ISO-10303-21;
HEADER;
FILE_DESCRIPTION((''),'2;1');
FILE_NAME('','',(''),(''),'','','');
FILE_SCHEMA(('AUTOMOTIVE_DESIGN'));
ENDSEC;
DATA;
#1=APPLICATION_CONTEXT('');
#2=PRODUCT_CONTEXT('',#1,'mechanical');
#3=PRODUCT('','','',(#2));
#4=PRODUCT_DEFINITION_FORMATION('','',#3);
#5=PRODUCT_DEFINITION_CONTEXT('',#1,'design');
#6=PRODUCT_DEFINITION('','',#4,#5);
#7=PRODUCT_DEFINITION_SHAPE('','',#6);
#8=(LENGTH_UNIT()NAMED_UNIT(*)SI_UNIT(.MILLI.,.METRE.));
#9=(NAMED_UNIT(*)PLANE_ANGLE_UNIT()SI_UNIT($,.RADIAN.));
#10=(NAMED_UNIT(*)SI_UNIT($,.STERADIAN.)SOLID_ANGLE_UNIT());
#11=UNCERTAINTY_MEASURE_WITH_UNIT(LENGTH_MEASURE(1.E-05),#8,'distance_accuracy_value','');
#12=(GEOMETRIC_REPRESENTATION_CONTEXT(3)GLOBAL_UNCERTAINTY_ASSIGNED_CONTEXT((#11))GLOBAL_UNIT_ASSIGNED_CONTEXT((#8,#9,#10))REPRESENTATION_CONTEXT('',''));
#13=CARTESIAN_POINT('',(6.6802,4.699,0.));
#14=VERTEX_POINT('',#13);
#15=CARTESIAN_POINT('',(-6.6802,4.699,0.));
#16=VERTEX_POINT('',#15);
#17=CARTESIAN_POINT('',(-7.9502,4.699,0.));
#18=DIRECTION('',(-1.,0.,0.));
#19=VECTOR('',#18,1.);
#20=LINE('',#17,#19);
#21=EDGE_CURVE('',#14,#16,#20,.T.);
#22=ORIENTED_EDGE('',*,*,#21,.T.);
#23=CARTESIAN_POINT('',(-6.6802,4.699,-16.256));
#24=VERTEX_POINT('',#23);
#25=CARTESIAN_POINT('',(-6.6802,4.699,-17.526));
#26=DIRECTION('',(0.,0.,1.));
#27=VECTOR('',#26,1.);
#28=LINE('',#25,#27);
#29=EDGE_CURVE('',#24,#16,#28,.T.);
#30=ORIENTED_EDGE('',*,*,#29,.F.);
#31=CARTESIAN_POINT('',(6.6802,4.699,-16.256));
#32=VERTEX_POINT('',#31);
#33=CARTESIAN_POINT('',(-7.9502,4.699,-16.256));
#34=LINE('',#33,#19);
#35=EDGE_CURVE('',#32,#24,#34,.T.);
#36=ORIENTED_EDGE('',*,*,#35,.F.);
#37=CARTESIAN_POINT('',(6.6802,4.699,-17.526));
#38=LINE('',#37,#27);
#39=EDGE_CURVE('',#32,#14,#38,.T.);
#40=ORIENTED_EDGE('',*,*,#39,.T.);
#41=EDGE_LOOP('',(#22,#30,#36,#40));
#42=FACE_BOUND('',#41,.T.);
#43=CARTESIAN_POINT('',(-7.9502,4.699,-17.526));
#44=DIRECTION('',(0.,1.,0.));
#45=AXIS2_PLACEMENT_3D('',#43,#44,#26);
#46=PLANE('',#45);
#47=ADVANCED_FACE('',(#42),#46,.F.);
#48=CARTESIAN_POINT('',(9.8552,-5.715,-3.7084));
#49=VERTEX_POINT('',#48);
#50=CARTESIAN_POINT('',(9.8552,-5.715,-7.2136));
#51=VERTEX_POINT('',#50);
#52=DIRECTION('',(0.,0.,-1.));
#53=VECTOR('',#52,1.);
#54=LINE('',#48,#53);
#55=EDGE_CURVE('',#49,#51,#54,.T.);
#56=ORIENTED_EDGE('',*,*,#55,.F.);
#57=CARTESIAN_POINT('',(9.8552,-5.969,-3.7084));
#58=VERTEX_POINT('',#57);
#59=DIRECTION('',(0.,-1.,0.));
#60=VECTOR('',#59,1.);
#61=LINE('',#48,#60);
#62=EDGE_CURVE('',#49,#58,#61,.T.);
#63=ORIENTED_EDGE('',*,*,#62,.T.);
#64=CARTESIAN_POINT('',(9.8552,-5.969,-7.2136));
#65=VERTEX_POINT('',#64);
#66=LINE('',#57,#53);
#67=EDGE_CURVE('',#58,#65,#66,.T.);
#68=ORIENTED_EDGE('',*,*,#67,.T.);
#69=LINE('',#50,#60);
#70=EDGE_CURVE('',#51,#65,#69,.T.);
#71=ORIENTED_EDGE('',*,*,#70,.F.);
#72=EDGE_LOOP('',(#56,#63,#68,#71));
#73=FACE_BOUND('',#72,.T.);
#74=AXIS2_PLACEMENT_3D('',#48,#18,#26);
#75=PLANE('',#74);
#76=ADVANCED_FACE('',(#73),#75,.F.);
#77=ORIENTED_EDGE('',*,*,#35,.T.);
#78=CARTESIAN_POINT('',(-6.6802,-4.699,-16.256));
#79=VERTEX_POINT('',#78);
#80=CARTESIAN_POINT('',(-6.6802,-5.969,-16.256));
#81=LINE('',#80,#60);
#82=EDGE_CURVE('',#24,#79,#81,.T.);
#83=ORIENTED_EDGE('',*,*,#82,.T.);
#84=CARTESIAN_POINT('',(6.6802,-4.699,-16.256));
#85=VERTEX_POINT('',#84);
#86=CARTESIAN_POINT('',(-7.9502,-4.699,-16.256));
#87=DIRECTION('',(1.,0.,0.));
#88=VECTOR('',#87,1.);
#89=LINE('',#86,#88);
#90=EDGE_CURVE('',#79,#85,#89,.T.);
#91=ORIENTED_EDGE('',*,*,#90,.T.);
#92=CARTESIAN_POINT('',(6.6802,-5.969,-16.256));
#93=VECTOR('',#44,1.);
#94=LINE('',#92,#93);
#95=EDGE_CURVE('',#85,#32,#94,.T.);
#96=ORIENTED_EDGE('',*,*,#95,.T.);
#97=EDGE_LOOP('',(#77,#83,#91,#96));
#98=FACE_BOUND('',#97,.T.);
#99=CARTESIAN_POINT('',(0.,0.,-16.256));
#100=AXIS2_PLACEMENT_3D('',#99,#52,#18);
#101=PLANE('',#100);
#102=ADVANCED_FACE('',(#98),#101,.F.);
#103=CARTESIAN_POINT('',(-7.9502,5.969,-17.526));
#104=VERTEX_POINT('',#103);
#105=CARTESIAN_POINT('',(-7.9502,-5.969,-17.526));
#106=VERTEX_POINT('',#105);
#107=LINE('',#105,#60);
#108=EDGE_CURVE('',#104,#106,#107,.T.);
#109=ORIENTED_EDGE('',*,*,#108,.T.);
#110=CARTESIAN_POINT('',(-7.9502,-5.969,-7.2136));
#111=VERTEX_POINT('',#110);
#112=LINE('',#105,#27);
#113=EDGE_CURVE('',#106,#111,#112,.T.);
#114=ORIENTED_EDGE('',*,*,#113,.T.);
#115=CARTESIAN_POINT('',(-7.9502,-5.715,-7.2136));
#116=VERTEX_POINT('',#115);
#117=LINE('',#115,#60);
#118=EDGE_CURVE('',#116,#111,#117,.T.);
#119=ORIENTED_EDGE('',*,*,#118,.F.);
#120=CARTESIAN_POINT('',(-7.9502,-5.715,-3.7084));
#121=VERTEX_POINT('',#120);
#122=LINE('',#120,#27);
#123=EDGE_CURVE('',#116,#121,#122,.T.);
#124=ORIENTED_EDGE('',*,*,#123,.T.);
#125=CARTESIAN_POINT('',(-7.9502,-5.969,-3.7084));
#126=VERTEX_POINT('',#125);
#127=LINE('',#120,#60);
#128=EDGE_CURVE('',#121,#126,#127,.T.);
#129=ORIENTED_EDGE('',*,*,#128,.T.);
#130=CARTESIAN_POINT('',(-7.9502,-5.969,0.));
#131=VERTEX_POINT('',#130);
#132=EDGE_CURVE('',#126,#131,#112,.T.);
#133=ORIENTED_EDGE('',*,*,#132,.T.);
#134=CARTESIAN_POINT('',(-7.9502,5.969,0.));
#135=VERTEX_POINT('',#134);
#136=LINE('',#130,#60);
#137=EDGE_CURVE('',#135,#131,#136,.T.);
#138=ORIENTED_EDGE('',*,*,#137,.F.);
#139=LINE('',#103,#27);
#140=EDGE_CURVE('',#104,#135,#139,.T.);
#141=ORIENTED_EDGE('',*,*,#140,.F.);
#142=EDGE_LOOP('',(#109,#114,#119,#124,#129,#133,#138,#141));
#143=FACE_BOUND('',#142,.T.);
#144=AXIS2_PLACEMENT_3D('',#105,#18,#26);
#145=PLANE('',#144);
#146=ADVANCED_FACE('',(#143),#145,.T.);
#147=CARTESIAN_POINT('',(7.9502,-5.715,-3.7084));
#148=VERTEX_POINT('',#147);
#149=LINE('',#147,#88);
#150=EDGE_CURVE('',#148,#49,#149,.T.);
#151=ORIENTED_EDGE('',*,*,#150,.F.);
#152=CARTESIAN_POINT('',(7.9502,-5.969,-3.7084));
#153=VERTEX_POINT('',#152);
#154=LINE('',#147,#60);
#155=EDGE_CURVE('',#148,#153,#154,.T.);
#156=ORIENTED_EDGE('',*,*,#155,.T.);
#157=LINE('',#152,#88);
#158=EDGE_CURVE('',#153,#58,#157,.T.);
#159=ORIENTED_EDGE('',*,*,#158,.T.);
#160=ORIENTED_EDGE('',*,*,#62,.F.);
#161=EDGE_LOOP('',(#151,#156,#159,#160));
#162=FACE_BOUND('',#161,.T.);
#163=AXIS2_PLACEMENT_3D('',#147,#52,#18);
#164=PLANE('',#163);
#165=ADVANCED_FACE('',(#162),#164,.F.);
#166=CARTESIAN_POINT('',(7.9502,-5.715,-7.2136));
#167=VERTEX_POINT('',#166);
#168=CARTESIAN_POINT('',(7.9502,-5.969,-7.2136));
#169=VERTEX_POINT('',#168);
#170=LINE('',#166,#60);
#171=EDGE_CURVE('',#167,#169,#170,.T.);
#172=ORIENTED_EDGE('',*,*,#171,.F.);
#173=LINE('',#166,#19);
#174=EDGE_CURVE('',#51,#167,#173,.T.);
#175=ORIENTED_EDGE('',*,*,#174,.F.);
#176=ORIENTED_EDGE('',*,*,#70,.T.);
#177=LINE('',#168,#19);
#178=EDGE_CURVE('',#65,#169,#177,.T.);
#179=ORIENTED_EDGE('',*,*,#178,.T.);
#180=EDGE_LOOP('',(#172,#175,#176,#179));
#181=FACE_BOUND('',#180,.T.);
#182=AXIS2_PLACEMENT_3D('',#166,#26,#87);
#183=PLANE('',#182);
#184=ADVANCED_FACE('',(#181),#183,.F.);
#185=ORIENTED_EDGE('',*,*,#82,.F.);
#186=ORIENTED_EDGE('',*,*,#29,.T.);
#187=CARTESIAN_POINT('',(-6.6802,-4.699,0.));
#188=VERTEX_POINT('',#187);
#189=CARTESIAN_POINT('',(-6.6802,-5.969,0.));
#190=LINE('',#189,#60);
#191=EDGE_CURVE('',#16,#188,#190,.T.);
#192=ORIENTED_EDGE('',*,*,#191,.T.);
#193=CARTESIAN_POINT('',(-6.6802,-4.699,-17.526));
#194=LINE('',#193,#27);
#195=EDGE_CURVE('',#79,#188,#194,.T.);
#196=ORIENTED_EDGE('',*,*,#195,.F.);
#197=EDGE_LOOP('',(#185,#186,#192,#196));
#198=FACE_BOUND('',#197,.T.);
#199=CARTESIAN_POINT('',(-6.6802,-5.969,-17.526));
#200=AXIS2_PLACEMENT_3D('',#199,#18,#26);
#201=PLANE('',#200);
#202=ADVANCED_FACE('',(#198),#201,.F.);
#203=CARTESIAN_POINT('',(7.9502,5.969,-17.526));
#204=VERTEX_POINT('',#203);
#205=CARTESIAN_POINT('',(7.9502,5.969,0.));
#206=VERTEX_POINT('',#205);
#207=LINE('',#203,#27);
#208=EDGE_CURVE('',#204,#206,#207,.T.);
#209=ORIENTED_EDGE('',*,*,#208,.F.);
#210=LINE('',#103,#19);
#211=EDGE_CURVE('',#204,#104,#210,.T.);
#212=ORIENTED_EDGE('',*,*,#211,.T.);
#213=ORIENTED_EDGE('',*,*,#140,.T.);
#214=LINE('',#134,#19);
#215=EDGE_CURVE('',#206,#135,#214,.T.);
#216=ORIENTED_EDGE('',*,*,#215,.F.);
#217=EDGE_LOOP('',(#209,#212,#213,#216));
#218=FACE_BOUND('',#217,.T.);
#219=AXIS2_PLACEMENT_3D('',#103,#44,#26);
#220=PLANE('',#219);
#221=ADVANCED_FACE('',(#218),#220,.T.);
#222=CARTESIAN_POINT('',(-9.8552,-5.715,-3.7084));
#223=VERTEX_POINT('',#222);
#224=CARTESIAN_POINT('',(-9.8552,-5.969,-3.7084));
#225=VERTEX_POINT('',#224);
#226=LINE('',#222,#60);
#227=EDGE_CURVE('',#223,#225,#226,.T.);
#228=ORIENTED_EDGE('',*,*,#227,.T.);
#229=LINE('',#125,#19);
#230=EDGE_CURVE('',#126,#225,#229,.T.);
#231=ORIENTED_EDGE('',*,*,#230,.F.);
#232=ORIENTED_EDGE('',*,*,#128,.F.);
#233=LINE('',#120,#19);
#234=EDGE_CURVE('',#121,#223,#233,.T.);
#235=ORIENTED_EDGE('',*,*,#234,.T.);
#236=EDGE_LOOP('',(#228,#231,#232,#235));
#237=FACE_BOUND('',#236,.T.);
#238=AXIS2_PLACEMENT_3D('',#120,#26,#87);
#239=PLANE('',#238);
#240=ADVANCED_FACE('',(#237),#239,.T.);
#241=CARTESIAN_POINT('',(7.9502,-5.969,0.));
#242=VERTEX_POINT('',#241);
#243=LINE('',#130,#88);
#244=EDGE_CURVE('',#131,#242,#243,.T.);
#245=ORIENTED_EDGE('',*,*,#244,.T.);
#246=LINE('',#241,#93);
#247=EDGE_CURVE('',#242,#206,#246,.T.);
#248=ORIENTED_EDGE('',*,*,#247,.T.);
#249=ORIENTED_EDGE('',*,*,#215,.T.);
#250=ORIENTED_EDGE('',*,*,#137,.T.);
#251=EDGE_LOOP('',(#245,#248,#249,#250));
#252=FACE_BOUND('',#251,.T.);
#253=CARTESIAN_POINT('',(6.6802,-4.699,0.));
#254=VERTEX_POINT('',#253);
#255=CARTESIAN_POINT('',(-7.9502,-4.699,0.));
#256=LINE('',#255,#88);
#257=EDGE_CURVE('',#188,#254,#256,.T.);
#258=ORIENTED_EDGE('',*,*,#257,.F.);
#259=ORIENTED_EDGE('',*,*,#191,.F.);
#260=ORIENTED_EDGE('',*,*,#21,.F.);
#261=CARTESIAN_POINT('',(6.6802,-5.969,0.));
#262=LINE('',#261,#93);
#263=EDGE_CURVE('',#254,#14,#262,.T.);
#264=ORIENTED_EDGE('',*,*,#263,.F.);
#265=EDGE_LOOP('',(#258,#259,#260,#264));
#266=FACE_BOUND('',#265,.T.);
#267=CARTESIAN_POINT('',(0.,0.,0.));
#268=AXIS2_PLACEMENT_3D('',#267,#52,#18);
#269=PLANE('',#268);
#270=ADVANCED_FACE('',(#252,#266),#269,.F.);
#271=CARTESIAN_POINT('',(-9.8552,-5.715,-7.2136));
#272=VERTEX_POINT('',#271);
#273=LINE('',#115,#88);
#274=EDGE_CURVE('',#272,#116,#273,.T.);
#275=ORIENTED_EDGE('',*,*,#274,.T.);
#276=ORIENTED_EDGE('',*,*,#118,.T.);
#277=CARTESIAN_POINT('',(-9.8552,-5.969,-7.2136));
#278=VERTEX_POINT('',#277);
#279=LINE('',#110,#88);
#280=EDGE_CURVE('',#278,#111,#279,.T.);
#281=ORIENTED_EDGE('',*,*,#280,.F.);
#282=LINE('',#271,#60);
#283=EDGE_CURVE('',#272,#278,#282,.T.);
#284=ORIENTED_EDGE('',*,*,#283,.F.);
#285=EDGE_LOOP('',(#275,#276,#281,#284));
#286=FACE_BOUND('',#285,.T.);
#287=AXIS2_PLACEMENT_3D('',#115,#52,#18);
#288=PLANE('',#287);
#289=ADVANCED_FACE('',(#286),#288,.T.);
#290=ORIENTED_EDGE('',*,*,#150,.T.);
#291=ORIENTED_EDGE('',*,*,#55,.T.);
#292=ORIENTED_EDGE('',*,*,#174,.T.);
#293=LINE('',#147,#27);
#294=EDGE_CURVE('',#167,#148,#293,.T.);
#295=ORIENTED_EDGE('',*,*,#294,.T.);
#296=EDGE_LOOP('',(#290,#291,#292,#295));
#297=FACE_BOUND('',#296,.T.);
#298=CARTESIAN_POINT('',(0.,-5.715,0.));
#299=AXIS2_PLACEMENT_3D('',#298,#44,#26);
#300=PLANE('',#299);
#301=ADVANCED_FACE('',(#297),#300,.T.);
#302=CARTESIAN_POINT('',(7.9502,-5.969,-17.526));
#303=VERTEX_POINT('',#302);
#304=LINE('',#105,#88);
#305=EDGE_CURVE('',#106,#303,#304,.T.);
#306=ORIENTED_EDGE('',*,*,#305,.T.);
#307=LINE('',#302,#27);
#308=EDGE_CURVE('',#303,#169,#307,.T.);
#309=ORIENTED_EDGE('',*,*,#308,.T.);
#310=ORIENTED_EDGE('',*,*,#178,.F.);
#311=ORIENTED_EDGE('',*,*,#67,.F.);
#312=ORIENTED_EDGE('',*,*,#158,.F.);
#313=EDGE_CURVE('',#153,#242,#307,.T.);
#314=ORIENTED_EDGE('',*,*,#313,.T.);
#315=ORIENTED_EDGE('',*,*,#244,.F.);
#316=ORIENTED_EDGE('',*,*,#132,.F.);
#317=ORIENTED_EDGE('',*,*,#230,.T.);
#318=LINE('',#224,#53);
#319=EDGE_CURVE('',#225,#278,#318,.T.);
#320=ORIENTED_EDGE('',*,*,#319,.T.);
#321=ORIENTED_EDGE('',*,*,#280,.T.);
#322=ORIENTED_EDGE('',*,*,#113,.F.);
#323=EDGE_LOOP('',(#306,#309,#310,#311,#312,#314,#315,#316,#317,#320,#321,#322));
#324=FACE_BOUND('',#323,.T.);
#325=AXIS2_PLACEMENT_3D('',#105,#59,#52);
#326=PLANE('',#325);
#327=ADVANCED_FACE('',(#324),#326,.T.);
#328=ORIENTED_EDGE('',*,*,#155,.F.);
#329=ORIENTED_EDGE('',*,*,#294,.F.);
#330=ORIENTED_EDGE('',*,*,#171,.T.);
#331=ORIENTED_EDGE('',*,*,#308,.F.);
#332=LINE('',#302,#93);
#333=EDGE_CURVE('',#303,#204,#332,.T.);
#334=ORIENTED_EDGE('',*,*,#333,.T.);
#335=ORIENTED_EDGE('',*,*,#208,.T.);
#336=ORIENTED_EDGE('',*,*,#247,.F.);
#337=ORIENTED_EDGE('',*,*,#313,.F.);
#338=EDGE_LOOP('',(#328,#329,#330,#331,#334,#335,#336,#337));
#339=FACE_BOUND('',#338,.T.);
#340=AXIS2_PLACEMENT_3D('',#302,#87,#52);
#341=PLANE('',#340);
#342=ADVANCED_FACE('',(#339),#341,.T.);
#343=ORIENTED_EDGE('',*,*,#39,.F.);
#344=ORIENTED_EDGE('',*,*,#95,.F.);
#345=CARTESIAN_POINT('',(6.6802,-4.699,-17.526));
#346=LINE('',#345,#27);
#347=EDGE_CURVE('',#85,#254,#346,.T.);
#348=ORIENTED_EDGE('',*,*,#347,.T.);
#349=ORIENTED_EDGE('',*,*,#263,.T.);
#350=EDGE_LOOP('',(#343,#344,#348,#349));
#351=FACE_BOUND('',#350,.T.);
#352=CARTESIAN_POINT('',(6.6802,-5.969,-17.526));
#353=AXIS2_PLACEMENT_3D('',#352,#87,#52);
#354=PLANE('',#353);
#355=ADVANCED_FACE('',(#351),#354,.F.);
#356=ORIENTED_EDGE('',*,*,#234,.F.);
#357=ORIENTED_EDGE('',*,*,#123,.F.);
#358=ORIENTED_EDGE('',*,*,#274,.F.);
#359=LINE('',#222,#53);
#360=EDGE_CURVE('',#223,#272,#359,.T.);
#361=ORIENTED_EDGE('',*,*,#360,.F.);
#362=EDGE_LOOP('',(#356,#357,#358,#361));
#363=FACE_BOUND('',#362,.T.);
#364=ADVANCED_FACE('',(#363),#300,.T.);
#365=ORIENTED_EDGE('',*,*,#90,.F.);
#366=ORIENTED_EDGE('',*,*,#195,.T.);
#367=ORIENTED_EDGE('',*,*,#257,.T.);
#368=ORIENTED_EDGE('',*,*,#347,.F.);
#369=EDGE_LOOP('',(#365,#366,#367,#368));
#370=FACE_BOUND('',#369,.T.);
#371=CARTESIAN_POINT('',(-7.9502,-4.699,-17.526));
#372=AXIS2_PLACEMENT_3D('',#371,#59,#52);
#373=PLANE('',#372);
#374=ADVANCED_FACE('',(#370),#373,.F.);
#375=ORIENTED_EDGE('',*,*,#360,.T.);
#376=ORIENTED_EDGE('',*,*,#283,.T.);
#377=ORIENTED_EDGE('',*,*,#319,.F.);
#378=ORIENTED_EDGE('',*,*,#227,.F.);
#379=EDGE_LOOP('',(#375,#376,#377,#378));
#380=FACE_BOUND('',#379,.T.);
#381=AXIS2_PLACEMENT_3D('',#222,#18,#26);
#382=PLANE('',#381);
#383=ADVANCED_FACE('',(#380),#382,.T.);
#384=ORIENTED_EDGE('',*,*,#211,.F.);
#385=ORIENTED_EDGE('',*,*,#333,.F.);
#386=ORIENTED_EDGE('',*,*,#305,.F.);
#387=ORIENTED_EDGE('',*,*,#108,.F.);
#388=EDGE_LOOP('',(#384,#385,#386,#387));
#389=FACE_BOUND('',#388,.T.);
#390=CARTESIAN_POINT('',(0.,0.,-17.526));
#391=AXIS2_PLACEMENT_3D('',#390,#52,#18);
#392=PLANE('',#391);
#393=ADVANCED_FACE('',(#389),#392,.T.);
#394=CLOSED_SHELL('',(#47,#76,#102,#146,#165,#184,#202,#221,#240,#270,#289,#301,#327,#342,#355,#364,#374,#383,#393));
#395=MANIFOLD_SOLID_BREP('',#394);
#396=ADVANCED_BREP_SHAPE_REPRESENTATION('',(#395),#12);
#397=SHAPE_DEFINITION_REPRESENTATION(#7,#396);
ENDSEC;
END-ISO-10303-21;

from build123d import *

# Parameters (mm, degrees)
SKETCH1_W           = 15.9004
SKETCH1_H           = 11.938
BOSS_EXTRUDE1_DEPTH = 17.526
SHELL1_T            = -1.27
SKETCH2_W           = 1.905
SKETCH2_H           = 3.5052
BOSS_EXTRUDE2_DEPTH = 0.254


with BuildPart() as part:
    # Sketch1 → Boss-Extrude1 (new body)
    with BuildSketch(Plane.XY):
        Rectangle(SKETCH1_W, SKETCH1_H)
    extrude(amount=-BOSS_EXTRUDE1_DEPTH)

    # Shell1
    shell1_openings = [part.faces().sort_by_distance(p)[0] for p in [
        (0, 0, 0),
    ]]
    offset(amount=SHELL1_T, openings=shell1_openings, kind=Kind.INTERSECTION)

    # Sketch2 → Boss-Extrude2 (add)
    with BuildSketch(Plane.XZ.offset(5.969)):
        with Locations((-8.9027, -5.461)):
            Rectangle(SKETCH2_W, SKETCH2_H)
    boss_extrude2 = extrude(amount=-BOSS_EXTRUDE2_DEPTH)

    # Mirror1: Boss-Extrude2 across plane
    add(boss_extrude2.mirror(Plane(origin=(0, 0, 0), x_dir=(0, 0, 1), z_dir=(1, 0, 0))))


solid = part.part
